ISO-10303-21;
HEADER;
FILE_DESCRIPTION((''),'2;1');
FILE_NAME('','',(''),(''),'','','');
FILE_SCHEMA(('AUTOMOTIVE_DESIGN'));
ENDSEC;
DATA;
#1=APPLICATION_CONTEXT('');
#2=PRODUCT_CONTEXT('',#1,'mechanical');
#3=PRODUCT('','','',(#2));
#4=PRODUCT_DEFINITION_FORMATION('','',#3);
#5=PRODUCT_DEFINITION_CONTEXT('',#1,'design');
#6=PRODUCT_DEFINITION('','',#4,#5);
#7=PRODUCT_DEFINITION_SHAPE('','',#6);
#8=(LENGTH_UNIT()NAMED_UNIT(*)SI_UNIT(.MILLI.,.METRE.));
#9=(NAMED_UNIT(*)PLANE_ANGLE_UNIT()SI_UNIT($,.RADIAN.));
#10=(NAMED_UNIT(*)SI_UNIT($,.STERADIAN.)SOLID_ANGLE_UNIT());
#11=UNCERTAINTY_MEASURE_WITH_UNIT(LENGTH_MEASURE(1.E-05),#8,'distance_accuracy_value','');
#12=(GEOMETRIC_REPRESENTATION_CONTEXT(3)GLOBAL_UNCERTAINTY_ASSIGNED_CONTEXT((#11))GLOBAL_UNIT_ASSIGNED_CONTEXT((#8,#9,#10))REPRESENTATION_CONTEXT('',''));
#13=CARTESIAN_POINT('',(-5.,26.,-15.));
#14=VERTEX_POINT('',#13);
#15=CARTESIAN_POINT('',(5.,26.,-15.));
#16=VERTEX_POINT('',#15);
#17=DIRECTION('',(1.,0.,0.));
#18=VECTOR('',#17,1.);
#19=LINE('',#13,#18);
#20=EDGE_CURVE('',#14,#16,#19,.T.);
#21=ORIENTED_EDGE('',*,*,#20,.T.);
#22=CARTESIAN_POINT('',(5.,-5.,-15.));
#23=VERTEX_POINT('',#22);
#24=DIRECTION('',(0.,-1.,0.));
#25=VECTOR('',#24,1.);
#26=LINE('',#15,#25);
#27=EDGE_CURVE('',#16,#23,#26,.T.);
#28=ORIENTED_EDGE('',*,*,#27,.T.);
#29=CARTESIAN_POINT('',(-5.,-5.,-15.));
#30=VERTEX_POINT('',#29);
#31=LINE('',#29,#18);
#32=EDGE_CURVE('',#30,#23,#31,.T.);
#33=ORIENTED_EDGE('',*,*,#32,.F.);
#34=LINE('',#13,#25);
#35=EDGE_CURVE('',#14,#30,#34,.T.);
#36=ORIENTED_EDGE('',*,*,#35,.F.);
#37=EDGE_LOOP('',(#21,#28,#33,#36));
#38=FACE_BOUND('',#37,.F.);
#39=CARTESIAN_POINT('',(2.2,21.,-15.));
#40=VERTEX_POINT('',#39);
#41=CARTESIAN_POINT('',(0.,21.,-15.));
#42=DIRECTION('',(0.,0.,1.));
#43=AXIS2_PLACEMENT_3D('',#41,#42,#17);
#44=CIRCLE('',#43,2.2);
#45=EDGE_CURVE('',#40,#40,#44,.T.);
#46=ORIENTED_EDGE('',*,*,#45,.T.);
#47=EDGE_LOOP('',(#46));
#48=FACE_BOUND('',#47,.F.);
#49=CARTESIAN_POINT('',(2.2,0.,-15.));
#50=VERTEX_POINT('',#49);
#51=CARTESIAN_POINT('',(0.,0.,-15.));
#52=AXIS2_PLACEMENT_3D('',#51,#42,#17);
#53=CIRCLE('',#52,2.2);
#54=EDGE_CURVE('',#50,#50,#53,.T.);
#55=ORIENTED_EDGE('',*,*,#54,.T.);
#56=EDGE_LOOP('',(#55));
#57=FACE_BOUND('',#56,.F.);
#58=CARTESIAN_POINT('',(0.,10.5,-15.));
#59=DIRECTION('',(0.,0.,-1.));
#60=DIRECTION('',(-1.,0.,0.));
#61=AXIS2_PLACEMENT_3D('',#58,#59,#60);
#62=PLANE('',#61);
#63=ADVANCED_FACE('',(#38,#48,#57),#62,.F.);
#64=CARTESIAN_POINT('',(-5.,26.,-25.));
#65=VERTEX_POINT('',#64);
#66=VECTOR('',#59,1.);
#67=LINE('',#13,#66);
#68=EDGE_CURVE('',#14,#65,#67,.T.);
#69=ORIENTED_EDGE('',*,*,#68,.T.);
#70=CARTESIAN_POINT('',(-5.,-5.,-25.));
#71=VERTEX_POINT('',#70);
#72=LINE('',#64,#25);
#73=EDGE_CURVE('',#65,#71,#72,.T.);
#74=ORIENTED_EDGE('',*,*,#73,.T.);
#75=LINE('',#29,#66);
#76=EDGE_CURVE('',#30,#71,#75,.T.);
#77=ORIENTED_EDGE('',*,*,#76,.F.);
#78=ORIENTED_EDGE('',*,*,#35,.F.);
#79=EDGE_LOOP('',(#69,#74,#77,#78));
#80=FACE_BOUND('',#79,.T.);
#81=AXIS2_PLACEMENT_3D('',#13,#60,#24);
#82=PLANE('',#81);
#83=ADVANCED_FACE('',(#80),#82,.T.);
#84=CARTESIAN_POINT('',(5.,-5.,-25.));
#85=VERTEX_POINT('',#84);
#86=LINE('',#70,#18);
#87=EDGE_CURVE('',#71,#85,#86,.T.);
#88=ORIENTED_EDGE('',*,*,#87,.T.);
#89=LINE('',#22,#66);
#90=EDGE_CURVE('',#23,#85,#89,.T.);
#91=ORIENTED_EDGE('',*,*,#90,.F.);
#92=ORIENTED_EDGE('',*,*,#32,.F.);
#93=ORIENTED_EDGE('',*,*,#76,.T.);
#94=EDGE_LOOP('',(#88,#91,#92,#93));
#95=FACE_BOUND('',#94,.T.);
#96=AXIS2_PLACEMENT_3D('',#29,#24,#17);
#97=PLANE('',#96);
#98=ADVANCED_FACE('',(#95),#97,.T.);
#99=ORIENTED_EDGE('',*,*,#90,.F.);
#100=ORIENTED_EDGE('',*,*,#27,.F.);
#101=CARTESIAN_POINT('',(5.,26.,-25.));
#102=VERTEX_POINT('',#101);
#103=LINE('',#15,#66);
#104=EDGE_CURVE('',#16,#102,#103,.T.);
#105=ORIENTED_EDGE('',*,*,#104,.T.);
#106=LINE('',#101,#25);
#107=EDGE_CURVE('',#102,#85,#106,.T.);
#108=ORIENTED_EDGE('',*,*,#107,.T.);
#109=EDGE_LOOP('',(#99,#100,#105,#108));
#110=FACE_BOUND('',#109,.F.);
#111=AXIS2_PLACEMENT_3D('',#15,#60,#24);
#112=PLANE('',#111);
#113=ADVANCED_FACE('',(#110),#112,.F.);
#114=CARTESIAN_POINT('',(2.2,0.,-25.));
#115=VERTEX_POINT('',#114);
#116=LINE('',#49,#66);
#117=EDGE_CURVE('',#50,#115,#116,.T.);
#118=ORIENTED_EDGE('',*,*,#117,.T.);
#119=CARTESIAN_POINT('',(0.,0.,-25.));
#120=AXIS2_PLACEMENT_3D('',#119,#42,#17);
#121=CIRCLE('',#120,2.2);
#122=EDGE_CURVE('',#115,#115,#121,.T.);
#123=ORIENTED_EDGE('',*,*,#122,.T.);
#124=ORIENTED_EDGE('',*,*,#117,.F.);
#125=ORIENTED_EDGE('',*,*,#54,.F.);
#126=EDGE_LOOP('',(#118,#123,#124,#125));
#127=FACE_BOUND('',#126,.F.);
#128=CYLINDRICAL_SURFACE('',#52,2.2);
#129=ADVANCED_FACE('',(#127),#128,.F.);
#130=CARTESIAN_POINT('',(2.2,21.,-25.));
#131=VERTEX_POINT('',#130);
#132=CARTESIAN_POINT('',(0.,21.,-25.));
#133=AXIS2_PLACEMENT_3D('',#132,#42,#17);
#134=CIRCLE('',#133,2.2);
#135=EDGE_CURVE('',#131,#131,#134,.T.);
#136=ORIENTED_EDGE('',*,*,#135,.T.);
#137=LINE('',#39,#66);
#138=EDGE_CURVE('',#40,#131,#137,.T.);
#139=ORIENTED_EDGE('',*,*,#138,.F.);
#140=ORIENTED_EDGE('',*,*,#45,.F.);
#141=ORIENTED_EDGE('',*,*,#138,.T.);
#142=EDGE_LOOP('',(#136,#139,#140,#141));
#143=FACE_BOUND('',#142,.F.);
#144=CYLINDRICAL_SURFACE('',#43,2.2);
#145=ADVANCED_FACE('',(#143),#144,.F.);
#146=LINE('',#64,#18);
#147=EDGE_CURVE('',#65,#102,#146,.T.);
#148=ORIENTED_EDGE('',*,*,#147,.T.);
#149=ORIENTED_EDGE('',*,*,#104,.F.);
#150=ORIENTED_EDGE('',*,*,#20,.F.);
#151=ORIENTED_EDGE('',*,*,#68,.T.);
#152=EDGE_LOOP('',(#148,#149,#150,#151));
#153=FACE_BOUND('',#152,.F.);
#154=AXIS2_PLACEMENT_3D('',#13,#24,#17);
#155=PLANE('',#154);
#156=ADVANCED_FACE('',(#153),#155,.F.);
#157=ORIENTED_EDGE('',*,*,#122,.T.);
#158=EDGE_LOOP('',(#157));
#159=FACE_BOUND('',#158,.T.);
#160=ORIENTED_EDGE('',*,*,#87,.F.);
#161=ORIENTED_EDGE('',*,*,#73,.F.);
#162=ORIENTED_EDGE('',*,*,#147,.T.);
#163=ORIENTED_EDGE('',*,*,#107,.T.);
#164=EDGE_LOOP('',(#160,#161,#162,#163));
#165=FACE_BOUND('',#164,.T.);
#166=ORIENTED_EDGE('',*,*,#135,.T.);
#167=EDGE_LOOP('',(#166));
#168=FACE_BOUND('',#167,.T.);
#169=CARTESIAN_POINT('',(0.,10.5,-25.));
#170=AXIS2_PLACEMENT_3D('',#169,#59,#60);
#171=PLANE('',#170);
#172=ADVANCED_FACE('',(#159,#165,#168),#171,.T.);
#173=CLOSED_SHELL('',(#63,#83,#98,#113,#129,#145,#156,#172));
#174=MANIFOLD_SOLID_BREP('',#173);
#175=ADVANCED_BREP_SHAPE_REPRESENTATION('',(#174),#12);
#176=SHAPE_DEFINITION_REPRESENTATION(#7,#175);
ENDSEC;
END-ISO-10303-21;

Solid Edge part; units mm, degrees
sketch "Sketch1" plane through (0, 0, -15) normal (0, 0, 1) x (1, 0, 0)
  circle A0 centre (0, 21) radius 2.2
  line L0 (5, 26) -> (5, -5)
  line L1 (-5, -5) -> (5, -5)
  line L2 (-5, 26) -> (-5, -5)
  line L3 (-5, 26) -> (5, 26)
  circle A1 centre (0, 0) radius 2.2
  dimension "D1" = 5
  dimension "D2" = 5
  dimension "D3" = 4.4
  dimension "D4" = 4.4
  dimension "D5" = 5
  dimension "D6" = 5
  dimension "D7" = 21
extrude "ExtrudedProtrusion_1" add sketch "Sketch1" against normal blind 10
properties material "ABS Plastic, medium impact"
